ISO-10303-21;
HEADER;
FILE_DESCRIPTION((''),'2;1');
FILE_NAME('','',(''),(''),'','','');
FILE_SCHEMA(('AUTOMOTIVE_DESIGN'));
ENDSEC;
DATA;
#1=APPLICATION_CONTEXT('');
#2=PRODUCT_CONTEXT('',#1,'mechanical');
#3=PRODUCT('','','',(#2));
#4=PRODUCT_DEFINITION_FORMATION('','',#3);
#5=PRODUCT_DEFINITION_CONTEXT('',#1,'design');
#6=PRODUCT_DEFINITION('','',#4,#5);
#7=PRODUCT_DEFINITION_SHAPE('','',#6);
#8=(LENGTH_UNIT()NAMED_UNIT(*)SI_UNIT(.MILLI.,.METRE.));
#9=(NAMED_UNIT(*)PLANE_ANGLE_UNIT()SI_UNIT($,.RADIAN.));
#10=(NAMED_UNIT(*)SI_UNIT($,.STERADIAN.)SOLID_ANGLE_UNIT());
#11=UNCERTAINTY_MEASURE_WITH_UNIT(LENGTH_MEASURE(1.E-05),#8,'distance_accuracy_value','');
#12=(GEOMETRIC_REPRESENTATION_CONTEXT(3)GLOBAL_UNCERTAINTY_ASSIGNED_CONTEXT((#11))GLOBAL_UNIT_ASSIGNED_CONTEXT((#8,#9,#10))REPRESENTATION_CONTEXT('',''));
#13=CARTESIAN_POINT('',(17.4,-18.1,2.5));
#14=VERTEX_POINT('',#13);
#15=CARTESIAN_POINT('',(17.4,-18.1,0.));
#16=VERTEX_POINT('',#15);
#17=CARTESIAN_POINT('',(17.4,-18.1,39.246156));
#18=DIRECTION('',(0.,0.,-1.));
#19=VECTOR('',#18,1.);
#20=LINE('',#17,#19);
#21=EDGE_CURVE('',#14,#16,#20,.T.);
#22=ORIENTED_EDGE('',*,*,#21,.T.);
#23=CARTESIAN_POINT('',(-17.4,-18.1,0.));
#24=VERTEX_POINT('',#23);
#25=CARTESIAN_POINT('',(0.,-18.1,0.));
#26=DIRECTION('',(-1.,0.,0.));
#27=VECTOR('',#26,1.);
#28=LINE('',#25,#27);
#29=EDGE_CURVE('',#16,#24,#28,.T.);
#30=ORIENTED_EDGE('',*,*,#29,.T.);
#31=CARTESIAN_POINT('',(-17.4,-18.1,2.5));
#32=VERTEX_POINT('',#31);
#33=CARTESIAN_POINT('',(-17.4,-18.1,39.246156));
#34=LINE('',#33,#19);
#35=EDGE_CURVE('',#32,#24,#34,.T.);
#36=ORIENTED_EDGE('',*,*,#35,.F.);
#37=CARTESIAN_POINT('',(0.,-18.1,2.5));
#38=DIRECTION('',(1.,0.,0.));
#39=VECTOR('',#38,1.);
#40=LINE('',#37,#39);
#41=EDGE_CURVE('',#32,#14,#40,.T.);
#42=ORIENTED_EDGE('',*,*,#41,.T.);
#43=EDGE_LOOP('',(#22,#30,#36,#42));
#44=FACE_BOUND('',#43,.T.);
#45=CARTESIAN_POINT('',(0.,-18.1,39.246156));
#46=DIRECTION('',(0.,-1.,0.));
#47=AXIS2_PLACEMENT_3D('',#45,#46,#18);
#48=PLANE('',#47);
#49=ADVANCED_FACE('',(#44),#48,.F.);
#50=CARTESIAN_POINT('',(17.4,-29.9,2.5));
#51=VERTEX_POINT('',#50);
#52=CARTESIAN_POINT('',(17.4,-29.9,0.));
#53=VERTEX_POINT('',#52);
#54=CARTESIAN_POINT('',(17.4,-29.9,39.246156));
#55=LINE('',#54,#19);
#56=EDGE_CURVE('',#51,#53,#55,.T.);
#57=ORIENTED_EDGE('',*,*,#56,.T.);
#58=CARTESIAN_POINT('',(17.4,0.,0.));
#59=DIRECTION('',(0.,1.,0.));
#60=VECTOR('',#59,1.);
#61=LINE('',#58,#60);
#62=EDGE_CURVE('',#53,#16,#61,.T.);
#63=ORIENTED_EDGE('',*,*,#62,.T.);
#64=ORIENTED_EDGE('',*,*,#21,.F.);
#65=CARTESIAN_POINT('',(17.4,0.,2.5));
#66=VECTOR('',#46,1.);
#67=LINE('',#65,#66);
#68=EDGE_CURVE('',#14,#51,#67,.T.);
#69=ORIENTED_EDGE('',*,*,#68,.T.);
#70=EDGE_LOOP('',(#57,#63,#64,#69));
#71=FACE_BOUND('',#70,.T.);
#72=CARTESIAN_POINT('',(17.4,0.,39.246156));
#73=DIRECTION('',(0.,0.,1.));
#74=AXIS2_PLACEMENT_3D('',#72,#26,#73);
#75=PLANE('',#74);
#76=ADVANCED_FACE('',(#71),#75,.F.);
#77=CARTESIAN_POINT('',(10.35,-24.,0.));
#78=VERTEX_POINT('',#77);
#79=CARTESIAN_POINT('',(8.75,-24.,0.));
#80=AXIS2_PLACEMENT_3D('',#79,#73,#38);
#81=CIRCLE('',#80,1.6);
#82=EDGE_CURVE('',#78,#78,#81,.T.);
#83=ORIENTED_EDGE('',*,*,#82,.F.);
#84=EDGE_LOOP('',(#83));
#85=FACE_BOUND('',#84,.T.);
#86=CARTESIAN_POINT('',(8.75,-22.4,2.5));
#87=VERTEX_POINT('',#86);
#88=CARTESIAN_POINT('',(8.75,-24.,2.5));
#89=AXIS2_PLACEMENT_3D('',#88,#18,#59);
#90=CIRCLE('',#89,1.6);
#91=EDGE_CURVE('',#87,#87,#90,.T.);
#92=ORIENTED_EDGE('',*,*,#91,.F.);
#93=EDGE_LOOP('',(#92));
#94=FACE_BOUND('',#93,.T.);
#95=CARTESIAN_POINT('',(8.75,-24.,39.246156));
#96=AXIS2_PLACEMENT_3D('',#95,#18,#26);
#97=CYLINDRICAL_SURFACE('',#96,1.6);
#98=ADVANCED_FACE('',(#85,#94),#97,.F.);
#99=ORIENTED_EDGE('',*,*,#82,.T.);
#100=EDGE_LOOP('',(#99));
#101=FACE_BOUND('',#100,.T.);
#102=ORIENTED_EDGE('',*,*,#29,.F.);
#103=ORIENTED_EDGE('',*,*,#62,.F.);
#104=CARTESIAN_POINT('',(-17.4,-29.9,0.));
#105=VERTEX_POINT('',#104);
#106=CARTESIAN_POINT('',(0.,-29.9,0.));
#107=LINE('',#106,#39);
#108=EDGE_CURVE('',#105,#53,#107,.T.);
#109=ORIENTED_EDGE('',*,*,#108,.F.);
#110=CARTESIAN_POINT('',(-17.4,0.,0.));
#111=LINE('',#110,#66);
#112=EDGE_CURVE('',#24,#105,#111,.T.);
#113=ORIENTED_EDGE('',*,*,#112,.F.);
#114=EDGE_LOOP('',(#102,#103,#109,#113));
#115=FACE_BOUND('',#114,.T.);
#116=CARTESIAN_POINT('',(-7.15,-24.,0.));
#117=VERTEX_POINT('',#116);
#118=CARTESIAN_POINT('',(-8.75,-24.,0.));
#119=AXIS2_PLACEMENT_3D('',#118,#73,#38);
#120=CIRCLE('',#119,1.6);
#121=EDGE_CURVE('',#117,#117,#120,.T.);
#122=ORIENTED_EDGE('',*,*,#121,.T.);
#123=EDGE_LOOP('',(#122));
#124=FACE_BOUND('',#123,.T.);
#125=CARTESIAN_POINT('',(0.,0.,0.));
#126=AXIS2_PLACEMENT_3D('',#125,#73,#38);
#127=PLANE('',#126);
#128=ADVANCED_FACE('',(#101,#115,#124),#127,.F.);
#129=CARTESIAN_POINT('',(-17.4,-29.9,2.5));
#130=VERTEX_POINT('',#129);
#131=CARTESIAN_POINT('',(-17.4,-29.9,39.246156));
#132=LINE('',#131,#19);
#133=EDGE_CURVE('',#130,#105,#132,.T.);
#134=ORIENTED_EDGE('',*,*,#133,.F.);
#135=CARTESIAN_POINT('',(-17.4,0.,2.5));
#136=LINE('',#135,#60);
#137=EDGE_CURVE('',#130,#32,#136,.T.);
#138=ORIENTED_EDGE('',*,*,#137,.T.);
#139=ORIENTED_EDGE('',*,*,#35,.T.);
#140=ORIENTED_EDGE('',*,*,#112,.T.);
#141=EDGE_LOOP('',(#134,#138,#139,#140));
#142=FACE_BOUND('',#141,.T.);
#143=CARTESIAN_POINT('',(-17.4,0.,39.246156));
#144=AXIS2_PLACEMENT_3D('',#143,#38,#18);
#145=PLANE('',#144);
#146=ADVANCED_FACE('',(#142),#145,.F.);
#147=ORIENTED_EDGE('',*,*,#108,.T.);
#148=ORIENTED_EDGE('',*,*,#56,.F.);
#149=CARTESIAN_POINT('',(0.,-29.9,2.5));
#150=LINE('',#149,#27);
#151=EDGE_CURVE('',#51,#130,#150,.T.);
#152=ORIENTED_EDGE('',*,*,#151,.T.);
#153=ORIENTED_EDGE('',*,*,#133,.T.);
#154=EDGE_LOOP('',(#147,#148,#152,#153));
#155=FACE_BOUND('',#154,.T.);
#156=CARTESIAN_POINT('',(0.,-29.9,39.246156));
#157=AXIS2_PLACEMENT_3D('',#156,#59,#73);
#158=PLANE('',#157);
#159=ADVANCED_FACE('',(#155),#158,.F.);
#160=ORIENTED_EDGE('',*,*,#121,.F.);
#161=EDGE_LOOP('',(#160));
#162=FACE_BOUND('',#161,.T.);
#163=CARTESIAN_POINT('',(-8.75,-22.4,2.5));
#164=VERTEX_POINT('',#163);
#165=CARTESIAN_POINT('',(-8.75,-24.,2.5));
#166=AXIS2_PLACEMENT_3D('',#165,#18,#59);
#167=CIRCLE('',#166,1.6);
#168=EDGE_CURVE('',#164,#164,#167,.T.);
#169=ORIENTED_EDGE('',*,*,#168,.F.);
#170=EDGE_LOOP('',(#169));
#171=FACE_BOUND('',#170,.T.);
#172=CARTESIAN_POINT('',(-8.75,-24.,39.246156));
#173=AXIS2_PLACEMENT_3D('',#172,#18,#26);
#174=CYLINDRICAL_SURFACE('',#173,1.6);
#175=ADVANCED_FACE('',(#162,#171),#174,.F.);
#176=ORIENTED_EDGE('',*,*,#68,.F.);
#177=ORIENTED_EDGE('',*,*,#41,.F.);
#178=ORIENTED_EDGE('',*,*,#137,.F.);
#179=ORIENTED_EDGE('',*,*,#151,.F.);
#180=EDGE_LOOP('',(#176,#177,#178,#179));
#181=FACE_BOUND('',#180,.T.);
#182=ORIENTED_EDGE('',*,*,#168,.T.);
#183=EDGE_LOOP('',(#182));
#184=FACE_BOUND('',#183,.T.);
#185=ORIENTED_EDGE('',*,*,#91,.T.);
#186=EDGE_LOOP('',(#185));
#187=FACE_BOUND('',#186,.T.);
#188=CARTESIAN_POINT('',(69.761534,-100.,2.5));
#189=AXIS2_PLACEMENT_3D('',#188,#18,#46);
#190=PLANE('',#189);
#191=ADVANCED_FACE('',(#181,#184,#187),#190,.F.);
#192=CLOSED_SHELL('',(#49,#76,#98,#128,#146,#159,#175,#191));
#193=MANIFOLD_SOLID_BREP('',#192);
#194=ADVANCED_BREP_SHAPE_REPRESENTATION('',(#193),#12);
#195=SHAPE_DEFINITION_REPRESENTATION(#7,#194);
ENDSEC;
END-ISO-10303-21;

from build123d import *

# Parameters (mm, degrees)
CROQUIS1_W              = 34.8
CROQUIS1_H              = 11.8
CROQUIS1_R              = 1.6
SALIENTE_EXTRUIR1_DEPTH = 2.5


with BuildPart() as part:
    # Croquis1 → Saliente-Extruir1 (new body)
    with BuildSketch(Plane.XY):
        with Locations((0, -24)):
            Rectangle(CROQUIS1_W, CROQUIS1_H)
        with Locations((8.75, -24)):
            Circle(CROQUIS1_R, mode=Mode.SUBTRACT)
        with Locations((-8.75, -24)):
            Circle(CROQUIS1_R, mode=Mode.SUBTRACT)
    extrude(amount=SALIENTE_EXTRUIR1_DEPTH)


solid = part.part
